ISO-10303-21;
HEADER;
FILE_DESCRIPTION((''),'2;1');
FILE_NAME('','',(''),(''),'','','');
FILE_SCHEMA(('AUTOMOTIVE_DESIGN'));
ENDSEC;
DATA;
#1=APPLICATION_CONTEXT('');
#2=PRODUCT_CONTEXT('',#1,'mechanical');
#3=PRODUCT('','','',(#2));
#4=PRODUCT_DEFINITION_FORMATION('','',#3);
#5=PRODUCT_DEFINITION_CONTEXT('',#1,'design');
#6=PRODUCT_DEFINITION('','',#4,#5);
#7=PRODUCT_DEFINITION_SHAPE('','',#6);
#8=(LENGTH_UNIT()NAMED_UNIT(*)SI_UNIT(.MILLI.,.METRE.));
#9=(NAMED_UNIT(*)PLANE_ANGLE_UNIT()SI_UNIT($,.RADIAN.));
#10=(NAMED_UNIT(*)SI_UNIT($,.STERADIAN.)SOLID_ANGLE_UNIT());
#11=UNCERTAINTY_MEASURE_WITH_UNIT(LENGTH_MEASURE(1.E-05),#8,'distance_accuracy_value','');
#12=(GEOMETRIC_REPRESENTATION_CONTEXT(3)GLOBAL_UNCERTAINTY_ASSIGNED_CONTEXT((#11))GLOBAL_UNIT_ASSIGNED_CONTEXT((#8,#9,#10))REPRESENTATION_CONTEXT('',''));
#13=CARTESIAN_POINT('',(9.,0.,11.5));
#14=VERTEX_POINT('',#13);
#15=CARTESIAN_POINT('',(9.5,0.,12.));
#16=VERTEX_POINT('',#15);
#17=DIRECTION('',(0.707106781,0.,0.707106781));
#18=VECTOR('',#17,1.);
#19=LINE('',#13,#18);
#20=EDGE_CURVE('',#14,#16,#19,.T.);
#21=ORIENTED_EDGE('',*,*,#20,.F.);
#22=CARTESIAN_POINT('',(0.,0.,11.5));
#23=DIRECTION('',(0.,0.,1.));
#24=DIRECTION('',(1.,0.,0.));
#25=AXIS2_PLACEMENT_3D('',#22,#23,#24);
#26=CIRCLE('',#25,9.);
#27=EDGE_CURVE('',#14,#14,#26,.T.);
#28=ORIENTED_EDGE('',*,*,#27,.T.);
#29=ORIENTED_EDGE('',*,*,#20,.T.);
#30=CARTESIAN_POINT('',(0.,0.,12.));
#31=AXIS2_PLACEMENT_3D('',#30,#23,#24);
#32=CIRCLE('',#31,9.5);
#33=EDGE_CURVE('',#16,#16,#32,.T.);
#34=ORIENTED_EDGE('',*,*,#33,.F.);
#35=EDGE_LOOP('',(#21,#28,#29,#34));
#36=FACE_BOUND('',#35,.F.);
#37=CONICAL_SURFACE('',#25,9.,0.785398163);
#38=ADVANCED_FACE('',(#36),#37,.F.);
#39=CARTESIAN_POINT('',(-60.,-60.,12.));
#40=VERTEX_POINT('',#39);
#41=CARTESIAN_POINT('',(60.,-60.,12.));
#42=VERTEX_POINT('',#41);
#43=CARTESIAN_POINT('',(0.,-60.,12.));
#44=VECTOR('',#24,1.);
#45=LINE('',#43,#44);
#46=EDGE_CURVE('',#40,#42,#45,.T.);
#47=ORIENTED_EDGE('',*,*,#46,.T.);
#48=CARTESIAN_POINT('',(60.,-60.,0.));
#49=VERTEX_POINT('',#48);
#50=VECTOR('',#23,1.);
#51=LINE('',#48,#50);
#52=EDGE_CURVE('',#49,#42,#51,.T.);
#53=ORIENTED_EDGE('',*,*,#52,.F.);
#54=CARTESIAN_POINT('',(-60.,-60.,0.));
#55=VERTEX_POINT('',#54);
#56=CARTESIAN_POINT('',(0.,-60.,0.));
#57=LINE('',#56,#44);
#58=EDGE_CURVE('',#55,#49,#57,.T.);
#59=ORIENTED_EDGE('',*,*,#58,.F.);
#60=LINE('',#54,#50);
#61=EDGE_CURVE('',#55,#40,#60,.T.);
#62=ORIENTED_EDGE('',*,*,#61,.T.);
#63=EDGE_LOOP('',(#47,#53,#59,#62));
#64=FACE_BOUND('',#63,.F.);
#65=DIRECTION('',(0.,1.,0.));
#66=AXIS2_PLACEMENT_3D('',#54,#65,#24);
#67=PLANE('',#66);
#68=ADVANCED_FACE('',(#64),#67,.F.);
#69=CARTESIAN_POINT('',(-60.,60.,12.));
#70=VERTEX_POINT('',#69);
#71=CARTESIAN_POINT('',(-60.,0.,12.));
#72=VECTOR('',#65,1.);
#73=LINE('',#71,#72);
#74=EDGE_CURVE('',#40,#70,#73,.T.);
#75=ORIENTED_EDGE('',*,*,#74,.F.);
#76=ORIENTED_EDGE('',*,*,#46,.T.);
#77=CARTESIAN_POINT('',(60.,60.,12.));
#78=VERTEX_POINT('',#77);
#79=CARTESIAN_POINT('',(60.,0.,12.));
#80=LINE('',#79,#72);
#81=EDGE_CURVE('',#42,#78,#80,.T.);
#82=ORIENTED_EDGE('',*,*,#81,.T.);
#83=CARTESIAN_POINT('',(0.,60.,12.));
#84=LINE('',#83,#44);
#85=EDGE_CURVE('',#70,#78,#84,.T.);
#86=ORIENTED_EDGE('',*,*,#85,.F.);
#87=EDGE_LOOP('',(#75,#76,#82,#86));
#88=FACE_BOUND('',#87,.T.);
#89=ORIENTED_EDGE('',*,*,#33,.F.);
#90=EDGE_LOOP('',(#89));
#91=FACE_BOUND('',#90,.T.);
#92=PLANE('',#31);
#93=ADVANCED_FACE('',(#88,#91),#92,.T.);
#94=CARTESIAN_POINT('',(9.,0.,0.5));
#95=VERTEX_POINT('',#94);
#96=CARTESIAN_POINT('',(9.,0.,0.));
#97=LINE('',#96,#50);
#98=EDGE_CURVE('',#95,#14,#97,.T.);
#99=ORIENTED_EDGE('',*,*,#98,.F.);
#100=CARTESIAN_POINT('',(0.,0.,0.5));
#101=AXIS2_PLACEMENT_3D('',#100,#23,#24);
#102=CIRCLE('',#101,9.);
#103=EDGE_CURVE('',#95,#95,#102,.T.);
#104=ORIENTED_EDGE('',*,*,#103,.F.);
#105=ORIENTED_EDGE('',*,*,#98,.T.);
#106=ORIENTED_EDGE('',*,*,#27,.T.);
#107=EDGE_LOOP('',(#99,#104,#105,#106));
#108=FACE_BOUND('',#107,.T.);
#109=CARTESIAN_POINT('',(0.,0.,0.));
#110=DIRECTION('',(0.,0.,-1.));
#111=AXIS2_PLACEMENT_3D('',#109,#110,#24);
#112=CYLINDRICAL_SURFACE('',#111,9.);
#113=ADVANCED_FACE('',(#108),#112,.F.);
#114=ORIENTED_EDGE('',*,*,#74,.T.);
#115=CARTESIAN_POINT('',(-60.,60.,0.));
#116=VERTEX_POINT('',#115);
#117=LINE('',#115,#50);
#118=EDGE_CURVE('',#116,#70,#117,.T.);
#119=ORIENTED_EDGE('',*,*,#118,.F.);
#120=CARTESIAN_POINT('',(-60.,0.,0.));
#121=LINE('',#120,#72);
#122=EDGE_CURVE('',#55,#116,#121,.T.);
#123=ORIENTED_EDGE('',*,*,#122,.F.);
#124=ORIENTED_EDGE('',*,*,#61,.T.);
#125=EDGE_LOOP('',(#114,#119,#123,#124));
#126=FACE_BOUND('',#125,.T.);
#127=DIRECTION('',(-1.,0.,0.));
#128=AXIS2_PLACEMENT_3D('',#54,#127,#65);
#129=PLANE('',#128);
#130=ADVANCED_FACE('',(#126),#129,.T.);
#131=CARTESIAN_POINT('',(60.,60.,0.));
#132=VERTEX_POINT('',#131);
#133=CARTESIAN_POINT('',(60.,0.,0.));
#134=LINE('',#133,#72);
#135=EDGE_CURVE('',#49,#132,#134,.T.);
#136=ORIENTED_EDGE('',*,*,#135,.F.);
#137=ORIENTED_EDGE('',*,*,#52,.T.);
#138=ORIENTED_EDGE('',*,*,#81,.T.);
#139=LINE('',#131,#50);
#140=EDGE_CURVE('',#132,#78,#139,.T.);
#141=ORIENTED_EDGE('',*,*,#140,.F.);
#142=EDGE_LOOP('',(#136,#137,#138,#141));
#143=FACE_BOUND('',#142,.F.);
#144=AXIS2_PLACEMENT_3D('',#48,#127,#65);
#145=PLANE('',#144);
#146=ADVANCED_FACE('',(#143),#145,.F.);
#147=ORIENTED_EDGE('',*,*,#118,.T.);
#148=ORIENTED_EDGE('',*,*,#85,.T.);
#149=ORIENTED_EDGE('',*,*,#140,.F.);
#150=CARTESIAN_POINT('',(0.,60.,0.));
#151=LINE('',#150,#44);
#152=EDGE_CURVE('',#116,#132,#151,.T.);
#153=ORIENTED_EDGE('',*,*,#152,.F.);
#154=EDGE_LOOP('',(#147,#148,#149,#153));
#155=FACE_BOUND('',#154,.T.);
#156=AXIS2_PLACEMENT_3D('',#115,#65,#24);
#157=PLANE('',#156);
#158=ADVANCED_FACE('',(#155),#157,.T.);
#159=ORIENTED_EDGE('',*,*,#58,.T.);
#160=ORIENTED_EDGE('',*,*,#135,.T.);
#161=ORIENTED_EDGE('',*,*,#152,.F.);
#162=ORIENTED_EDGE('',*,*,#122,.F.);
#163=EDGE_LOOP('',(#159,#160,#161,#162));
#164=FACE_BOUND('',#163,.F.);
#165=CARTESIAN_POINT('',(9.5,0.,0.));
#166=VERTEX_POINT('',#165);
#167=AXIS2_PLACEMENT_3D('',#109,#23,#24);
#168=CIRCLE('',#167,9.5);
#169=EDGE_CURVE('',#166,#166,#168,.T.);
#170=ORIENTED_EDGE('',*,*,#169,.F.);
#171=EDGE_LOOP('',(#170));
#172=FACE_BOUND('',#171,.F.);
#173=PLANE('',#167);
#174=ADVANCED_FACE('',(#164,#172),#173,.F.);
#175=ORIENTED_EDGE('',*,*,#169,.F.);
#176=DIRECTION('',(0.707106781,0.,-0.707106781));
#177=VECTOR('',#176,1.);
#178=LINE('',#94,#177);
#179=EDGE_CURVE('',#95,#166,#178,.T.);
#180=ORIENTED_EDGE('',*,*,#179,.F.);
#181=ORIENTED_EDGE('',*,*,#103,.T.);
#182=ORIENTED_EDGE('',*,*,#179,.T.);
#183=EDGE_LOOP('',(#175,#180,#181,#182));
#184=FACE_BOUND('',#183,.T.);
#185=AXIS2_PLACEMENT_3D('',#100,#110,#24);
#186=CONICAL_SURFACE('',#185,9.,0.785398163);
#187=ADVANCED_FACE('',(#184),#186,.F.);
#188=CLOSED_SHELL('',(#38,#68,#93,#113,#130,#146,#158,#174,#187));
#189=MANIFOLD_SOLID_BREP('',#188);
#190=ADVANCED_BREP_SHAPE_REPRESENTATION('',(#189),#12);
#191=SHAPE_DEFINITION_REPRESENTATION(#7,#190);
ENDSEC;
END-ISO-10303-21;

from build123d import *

# Parameters (mm, degrees)
F0_W     = 120
F0_H     = 120
F0_R     = 9
F1_DEPTH = 12
F2_SIZE  = 0.5


with BuildPart() as f1:
    # F0 (on Top) → F1 (new body)
    with BuildSketch(Plane.XY):
        Rectangle(F0_W, F0_H)
        Circle(F0_R, mode=Mode.SUBTRACT)
    extrude(amount=F1_DEPTH)

    # F2
    f2_edges = [f1.edges().sort_by_distance(p)[0] for p in [
        (9, 0, 6),
        (-9, 0, 0),
        (-9, 0, 12),
    ]]
    chamfer(f2_edges, length=F2_SIZE)


solid = f1.part
